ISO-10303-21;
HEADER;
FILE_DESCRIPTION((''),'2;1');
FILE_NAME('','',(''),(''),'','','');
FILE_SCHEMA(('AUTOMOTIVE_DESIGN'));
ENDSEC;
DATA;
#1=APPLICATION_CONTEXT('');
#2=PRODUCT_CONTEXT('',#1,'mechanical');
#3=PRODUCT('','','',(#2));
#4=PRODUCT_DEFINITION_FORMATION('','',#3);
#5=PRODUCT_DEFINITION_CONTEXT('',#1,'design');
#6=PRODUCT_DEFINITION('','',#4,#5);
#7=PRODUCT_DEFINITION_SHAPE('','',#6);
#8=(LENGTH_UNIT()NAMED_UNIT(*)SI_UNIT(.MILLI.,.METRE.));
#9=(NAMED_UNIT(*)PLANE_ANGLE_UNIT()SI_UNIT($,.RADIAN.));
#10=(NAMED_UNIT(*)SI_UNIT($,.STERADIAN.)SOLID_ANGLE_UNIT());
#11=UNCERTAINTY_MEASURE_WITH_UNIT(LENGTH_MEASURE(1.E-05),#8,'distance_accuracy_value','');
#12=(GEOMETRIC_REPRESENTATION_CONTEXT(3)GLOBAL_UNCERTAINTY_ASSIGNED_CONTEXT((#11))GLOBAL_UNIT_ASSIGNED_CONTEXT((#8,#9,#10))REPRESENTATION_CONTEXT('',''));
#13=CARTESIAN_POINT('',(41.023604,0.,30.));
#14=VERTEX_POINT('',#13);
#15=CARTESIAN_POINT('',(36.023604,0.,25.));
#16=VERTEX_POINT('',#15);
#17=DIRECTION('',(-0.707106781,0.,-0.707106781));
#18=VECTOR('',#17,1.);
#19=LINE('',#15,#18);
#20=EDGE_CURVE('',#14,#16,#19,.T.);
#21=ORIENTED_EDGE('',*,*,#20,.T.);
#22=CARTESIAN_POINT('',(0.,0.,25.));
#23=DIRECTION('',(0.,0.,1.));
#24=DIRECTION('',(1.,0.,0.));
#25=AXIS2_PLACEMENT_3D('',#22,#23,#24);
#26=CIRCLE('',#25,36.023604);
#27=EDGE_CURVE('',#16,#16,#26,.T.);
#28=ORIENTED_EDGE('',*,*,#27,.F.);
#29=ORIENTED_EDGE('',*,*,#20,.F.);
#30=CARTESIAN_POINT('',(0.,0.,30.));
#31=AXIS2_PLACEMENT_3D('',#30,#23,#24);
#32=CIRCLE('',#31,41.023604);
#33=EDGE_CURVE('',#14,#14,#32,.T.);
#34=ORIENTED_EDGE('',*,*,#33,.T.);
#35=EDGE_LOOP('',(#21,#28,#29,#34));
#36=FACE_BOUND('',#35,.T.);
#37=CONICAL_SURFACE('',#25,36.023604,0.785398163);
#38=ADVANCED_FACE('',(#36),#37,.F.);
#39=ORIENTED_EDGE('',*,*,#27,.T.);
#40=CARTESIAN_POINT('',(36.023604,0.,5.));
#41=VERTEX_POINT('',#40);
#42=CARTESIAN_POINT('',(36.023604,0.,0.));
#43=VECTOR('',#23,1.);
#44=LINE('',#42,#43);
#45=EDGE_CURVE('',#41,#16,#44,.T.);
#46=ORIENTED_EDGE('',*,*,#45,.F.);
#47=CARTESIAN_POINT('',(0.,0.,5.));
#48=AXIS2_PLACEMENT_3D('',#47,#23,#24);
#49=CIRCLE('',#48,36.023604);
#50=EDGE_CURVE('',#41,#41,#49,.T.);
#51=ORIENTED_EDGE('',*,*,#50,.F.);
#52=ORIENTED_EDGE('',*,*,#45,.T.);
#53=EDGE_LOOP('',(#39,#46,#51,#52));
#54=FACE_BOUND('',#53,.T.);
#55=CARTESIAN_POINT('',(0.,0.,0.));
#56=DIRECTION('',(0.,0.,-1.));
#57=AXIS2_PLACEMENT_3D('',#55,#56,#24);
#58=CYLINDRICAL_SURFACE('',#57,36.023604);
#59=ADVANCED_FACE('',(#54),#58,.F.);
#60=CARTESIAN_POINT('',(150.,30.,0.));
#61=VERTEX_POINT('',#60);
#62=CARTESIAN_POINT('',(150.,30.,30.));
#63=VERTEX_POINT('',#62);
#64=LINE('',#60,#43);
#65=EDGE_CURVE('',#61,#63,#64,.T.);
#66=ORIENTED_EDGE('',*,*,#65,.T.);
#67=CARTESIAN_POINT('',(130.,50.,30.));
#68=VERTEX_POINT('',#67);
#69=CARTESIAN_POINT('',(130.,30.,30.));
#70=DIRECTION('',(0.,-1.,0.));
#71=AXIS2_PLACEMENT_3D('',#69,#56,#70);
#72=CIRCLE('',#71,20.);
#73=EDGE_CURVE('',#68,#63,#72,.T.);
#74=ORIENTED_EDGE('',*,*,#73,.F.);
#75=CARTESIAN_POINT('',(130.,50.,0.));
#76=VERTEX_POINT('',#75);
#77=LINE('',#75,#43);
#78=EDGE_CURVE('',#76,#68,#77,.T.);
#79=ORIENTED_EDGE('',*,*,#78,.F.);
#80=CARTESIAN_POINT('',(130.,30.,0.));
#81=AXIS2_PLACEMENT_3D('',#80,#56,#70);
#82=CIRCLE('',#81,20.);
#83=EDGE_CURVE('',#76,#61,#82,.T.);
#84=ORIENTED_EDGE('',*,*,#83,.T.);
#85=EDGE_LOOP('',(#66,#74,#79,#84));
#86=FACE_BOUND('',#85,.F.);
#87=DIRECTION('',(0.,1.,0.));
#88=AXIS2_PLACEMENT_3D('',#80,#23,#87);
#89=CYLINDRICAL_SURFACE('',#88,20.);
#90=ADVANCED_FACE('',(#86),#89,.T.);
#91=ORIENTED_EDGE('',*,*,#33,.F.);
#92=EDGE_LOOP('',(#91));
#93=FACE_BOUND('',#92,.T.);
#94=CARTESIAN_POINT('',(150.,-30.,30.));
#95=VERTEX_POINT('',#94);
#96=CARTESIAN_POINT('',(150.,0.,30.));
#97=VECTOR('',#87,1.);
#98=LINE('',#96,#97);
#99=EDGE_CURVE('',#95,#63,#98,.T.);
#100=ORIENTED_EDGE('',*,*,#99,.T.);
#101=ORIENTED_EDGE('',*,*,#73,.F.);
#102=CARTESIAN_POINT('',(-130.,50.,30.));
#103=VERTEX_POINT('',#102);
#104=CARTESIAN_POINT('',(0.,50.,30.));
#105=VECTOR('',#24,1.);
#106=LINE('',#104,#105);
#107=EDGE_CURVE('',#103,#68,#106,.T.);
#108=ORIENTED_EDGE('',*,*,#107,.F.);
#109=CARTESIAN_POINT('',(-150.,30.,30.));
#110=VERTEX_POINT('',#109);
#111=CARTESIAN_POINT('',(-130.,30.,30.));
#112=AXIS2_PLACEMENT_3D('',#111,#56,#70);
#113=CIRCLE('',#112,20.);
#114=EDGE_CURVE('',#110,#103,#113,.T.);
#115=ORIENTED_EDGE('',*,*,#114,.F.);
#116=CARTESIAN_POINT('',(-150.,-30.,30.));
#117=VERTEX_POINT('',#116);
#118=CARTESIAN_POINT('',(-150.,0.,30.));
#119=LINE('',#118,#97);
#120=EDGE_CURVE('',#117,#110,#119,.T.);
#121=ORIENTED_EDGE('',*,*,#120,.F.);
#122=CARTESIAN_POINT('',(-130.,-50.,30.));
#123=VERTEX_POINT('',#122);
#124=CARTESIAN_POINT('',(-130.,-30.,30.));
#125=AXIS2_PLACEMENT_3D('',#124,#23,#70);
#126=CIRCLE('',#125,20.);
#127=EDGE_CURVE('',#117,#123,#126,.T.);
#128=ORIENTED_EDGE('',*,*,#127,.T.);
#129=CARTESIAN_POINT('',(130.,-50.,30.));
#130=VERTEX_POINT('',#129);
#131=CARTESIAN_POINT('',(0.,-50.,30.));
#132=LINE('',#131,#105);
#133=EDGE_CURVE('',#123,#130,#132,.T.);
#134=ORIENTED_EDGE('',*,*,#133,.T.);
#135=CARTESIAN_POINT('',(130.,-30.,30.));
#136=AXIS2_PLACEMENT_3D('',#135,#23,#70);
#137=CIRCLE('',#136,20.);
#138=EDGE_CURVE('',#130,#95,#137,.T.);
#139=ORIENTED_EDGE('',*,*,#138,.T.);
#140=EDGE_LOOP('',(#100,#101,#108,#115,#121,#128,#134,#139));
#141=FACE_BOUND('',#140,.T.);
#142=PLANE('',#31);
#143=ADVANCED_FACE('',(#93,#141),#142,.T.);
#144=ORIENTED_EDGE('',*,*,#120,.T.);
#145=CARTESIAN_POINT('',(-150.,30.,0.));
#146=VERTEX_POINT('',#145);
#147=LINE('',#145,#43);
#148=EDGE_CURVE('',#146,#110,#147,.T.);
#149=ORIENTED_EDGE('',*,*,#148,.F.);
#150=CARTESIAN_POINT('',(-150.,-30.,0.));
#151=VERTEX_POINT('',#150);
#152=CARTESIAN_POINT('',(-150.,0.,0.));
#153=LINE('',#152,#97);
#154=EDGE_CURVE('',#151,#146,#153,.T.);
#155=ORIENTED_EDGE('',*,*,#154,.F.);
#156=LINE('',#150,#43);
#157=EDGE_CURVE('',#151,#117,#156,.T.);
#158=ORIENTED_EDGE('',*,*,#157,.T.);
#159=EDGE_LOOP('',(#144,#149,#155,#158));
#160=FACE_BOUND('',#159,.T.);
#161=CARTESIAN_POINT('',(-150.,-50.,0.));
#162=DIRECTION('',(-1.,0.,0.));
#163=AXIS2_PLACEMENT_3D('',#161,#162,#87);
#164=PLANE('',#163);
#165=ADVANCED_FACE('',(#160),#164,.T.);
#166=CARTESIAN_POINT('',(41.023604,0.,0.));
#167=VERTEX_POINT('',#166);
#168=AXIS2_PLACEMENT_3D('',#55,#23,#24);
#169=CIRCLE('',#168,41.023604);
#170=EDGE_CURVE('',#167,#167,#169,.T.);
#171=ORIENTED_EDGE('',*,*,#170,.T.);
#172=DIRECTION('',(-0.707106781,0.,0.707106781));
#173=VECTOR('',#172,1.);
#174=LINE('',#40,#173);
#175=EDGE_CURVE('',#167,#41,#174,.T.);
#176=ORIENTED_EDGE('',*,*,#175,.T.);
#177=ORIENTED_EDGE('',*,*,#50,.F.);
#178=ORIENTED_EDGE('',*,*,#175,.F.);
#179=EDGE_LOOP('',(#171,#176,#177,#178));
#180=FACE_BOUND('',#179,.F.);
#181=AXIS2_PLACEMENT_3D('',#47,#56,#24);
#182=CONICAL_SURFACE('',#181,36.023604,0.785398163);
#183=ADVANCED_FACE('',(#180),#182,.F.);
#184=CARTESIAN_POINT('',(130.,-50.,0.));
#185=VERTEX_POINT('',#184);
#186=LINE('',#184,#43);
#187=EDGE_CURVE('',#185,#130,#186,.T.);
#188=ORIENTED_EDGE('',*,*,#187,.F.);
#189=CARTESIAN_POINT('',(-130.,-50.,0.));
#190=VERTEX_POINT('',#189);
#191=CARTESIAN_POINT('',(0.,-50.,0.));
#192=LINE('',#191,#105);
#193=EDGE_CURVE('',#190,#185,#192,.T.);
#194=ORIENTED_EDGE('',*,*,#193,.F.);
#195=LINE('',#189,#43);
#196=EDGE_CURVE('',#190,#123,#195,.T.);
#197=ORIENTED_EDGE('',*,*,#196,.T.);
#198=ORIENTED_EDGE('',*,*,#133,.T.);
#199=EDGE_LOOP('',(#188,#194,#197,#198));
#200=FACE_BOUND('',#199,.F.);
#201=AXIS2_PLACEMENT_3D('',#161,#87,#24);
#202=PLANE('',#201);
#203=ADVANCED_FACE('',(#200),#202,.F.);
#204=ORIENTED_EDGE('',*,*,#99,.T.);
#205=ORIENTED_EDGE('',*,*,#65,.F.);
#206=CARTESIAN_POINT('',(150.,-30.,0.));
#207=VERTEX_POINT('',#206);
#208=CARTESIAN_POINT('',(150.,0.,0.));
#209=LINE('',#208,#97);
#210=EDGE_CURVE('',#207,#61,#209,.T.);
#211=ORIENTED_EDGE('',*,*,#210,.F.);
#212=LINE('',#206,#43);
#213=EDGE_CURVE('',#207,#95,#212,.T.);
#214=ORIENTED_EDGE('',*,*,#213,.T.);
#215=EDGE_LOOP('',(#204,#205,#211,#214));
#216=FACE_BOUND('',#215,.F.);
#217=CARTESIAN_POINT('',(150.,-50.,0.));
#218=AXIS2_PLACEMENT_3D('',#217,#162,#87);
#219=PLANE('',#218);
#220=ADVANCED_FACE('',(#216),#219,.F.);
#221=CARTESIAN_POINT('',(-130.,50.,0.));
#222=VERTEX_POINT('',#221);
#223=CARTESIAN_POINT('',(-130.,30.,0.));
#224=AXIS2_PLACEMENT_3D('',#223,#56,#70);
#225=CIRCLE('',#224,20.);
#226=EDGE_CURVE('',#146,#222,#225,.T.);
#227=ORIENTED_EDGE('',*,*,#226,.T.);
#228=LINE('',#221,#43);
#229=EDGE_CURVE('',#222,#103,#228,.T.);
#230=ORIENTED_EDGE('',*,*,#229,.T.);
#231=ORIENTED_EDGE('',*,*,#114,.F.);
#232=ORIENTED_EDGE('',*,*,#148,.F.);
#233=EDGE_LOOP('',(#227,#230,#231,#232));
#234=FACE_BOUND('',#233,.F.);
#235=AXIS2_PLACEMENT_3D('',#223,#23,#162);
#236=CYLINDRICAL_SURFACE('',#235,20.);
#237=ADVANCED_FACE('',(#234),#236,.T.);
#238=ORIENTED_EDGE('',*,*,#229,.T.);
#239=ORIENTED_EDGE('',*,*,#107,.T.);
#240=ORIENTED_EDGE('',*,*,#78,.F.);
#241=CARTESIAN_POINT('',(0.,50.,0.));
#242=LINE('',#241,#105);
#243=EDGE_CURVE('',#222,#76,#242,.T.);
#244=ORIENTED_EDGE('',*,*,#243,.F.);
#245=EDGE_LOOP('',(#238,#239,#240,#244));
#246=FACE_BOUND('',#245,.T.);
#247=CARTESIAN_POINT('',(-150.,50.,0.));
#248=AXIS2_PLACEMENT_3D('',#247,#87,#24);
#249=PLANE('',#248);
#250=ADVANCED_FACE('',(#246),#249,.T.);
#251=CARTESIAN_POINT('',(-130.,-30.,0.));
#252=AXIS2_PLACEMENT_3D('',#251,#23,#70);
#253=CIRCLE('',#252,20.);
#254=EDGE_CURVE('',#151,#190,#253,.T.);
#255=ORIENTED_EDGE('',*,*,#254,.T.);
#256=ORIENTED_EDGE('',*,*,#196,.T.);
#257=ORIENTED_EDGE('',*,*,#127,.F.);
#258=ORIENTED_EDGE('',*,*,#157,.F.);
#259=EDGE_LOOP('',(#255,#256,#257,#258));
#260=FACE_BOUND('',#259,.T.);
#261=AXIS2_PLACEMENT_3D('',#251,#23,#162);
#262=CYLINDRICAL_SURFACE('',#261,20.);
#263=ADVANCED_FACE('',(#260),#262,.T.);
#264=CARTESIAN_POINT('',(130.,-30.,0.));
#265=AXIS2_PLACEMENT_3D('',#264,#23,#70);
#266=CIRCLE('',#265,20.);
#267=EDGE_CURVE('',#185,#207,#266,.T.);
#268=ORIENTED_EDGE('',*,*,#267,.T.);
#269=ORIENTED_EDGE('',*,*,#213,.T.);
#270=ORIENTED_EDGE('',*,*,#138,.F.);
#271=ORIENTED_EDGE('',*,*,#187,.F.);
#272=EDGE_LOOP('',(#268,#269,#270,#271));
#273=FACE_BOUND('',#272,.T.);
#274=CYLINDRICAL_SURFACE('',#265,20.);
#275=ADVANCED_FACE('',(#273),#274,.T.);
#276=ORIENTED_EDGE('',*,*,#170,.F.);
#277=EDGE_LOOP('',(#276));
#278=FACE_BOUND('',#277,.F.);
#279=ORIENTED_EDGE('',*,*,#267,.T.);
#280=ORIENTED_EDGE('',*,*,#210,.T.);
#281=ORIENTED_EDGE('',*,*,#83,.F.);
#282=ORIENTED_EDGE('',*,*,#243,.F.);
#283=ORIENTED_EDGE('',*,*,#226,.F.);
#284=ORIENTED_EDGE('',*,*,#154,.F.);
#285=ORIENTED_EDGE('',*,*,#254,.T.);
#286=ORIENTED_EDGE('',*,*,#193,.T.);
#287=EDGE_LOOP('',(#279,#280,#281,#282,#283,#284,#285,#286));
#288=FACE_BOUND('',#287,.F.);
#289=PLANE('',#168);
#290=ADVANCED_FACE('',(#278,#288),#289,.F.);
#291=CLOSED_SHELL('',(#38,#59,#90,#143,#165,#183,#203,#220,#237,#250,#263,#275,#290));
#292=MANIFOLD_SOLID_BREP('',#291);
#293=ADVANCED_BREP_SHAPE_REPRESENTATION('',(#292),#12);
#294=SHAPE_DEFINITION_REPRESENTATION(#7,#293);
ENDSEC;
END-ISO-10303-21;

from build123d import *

# Parameters (mm, degrees)
F0_W     = 300
F0_H     = 100
F0_R     = 36.023604
F1_DEPTH = 30
F2_R     = 20
F3_SIZE  = 5


with BuildPart() as f1:
    # F0 (on Top) → F1 (new body)
    with BuildSketch(Plane.XY):
        Rectangle(F0_W, F0_H)
        Circle(F0_R, mode=Mode.SUBTRACT)
    extrude(amount=F1_DEPTH)

    # F2
    f2_edges = [f1.edges().sort_by_distance(p)[0] for p in [
        (150, -50, 15),
        (150, 50, 15),
        (-150, -50, 15),
        (-150, 50, 15),
    ]]
    fillet(f2_edges, radius=F2_R)

    # F3
    f3_edges = [f1.edges().sort_by_distance(p)[0] for p in [
        (-36.023604, 0, 30),
        (-36.023604, 0, 0),
    ]]
    chamfer(f3_edges, length=F3_SIZE)


solid = f1.part
